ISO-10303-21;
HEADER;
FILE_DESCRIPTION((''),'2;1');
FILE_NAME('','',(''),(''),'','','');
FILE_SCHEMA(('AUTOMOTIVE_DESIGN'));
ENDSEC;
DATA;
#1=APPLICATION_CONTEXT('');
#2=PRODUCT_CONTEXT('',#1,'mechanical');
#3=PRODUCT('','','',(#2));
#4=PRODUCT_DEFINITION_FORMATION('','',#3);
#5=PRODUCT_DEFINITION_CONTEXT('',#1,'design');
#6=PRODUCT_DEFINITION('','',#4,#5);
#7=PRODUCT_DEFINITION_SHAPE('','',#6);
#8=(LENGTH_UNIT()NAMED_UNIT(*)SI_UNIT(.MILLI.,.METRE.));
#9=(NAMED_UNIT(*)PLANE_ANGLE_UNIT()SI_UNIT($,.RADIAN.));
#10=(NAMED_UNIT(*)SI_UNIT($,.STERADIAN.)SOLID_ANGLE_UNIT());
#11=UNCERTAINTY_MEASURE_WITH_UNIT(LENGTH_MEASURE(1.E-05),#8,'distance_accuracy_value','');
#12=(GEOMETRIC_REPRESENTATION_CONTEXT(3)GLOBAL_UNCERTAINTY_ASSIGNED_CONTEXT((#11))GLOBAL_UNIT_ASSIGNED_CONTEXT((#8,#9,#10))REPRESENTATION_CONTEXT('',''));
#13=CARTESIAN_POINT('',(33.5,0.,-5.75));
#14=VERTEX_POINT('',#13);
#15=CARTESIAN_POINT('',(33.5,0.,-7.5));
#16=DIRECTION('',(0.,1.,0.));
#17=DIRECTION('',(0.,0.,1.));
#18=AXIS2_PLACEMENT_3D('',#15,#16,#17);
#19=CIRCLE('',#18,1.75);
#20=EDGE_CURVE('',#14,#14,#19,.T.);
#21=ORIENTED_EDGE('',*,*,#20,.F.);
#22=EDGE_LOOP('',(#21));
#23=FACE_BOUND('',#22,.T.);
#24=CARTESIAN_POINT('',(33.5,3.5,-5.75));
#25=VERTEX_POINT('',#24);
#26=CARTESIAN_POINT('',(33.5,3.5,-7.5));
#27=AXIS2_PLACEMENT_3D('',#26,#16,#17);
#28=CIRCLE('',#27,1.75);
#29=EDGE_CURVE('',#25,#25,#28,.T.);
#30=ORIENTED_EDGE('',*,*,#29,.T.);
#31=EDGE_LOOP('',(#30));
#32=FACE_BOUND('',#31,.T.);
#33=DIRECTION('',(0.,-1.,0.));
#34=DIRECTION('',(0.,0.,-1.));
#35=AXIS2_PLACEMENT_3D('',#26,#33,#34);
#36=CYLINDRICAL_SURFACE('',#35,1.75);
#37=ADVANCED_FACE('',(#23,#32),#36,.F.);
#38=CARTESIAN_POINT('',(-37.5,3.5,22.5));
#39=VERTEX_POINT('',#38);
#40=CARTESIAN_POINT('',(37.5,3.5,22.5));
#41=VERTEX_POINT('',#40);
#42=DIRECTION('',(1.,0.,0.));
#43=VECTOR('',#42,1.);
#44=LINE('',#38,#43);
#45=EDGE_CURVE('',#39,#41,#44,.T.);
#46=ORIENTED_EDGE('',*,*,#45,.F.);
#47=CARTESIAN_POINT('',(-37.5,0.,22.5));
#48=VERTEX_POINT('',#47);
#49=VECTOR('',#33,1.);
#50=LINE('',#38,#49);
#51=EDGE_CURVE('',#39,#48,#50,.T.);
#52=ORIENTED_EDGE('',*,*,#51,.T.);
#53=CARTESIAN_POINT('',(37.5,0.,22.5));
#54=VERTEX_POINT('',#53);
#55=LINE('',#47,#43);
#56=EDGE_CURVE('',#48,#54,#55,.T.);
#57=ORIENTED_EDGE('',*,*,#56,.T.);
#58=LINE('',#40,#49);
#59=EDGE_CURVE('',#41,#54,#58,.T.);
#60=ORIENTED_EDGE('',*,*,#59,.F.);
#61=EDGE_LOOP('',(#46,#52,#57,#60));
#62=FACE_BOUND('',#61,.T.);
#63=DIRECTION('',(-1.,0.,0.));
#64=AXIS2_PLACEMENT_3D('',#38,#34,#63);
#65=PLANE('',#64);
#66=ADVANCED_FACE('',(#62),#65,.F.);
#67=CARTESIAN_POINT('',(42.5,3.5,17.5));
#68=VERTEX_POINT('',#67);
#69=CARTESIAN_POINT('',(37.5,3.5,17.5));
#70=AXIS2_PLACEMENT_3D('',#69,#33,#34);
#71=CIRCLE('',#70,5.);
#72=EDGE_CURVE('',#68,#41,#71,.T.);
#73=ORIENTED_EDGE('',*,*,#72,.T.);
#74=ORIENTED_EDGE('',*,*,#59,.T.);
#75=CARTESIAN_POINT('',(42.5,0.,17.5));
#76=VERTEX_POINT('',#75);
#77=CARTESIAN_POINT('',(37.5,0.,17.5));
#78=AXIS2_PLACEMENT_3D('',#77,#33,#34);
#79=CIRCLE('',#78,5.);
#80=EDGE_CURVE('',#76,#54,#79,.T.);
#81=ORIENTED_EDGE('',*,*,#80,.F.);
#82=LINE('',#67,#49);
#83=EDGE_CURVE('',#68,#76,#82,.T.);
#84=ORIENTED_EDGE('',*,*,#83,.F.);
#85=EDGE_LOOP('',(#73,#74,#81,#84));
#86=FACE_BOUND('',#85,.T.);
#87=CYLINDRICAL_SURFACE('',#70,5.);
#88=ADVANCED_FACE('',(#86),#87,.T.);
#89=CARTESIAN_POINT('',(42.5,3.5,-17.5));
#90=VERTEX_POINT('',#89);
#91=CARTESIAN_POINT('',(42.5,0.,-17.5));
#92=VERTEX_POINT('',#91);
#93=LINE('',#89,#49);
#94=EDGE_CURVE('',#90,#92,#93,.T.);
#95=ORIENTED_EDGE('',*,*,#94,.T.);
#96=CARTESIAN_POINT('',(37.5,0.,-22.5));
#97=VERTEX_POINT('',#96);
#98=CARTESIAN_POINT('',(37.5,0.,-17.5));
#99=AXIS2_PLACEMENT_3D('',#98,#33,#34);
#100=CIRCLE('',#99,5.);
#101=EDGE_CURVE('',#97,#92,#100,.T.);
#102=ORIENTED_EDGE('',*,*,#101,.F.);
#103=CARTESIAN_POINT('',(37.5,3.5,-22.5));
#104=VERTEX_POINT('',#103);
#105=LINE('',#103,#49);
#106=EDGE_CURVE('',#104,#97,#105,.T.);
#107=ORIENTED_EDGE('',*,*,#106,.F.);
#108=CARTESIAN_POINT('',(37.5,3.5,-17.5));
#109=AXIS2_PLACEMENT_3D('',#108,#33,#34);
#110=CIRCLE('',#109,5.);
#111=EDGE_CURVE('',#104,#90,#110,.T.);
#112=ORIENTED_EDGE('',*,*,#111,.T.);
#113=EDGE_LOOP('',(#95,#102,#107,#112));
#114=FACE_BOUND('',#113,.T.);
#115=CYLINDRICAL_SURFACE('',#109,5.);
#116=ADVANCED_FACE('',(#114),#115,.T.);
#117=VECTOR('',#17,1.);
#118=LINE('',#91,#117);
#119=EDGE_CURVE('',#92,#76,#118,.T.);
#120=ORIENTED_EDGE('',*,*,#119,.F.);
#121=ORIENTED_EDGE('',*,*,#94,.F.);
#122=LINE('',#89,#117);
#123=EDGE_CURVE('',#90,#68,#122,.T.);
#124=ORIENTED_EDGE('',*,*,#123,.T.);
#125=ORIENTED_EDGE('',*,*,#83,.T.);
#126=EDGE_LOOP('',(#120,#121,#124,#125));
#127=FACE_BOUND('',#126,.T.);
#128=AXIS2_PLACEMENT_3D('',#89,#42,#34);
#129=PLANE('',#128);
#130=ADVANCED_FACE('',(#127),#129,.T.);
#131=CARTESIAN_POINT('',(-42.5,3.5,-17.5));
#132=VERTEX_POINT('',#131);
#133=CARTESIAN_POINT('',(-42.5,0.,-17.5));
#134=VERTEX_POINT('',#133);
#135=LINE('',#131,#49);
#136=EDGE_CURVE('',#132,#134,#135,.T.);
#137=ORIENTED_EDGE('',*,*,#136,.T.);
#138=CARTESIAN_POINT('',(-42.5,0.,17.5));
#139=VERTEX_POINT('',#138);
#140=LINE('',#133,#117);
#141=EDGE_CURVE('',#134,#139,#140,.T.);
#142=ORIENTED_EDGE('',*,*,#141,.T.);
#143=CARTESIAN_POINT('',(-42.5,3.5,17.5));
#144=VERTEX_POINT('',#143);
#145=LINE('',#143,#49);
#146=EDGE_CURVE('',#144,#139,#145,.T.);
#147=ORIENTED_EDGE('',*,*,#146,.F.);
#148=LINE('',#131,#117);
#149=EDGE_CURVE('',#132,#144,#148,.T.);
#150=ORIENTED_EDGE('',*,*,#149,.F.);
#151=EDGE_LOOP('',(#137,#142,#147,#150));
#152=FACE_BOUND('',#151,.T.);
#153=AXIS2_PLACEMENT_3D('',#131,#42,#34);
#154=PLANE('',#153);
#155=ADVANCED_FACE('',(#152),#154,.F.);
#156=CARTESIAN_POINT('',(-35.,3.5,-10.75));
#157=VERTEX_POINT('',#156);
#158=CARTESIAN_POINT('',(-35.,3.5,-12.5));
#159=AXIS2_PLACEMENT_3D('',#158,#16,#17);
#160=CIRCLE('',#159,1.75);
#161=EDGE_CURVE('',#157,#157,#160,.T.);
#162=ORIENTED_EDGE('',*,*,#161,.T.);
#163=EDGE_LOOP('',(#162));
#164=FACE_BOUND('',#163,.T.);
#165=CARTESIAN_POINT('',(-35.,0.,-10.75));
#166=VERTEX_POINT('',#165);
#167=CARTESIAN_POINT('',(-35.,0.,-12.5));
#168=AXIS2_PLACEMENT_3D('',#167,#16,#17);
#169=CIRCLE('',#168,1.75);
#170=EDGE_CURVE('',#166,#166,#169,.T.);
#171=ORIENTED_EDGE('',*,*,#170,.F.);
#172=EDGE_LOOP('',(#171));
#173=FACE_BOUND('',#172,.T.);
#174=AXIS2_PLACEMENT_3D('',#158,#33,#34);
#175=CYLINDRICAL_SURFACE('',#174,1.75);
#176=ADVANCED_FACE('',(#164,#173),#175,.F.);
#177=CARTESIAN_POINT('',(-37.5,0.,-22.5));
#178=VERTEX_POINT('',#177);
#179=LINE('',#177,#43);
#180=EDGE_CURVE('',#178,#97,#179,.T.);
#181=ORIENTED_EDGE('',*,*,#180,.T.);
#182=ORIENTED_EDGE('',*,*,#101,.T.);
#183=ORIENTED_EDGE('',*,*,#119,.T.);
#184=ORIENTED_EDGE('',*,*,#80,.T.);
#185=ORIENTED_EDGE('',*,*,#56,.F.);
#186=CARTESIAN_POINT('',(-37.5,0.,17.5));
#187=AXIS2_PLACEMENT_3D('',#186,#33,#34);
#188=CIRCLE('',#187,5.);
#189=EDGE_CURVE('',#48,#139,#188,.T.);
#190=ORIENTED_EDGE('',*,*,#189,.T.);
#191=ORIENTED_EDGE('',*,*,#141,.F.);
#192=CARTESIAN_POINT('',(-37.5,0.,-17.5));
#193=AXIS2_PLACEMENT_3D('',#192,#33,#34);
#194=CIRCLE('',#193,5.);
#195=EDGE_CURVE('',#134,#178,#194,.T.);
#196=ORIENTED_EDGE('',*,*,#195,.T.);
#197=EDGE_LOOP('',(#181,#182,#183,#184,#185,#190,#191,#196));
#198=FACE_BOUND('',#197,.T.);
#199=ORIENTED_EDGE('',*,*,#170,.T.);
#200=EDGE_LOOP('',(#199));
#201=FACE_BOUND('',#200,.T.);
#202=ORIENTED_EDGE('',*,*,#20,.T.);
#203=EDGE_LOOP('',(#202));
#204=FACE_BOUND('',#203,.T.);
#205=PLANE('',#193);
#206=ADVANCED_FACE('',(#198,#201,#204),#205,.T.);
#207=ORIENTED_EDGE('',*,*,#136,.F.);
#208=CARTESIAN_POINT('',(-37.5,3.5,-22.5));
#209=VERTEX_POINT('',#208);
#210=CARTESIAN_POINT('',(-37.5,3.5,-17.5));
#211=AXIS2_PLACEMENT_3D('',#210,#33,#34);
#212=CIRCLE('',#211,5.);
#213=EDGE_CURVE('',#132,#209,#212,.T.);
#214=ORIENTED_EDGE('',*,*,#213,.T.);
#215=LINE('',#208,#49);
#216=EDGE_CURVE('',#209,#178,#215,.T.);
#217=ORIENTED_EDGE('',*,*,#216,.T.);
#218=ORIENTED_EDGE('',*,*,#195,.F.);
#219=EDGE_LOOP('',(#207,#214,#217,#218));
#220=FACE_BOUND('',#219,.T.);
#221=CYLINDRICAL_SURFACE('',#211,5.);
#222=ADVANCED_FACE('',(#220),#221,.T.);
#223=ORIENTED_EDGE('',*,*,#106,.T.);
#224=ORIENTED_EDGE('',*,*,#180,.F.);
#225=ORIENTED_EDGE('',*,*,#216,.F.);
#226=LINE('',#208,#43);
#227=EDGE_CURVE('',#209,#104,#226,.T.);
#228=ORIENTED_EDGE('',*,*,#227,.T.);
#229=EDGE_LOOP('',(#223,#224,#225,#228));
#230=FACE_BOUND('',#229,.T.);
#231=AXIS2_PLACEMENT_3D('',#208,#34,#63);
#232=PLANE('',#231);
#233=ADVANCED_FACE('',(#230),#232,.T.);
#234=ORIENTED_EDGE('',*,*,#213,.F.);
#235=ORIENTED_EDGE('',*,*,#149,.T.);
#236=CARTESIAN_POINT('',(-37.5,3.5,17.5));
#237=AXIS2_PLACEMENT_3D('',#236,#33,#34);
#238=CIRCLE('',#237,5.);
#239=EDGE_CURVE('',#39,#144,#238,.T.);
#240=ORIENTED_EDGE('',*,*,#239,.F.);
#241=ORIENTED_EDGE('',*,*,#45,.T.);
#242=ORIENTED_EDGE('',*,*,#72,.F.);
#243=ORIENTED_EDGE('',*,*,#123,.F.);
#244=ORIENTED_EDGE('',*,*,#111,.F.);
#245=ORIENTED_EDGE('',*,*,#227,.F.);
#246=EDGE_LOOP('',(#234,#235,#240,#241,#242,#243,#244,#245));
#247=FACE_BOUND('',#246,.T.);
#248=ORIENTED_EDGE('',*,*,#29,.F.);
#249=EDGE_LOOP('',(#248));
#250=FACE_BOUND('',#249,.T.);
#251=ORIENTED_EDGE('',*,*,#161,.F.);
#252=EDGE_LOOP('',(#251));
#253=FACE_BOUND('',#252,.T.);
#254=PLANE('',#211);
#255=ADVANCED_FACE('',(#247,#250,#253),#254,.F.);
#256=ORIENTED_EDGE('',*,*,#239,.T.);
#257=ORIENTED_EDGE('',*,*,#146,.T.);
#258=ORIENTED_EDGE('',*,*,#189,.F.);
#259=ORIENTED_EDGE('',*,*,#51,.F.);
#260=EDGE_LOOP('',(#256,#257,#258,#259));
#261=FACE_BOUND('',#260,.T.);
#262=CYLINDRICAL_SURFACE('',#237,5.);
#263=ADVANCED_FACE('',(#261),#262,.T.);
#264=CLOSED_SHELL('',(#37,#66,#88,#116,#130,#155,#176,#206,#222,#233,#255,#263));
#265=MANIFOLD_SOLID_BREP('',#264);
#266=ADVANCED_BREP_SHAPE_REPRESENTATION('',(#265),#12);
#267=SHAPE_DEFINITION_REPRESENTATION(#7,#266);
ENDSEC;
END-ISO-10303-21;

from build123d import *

# Parameters (mm, degrees)
CROQUIS1_R              = 1.75
SALIENTE_EXTRUIR1_DEPTH = 3.5


with BuildPart() as part:
    # Croquis1 → Saliente-Extruir1 (new body)
    with BuildSketch(Plane(origin=(0, 0, 0), x_dir=(1, 0, 0), z_dir=(0, 1, 0))):
        with BuildLine():
            Line((-37.5, 22.5), (37.5, 22.5))
            ThreePointArc((37.5, 22.5), (41.035533906, 21.035533906), (42.5, 17.5))
            Line((42.5, 17.5), (42.5, -17.5))
            ThreePointArc((42.5, -17.5), (41.035533906, -21.035533906), (37.5, -22.5))
            Line((37.5, -22.5), (-37.5, -22.5))
            ThreePointArc((-37.5, -22.5), (-41.035533906, -21.035533906), (-42.5, -17.5))
            Line((-42.5, -17.5), (-42.5, 17.5))
            ThreePointArc((-42.5, 17.5), (-41.035533906, 21.035533906), (-37.5, 22.5))
        make_face()
        with Locations(Location((-35, 12.5, 0), (0, 0, 270))):
            Circle(CROQUIS1_R, mode=Mode.SUBTRACT)
        with Locations(Location((33.5, 7.5, 0), (0, 0, 270))):
            Circle(CROQUIS1_R, mode=Mode.SUBTRACT)
    extrude(amount=SALIENTE_EXTRUIR1_DEPTH)


solid = part.part
